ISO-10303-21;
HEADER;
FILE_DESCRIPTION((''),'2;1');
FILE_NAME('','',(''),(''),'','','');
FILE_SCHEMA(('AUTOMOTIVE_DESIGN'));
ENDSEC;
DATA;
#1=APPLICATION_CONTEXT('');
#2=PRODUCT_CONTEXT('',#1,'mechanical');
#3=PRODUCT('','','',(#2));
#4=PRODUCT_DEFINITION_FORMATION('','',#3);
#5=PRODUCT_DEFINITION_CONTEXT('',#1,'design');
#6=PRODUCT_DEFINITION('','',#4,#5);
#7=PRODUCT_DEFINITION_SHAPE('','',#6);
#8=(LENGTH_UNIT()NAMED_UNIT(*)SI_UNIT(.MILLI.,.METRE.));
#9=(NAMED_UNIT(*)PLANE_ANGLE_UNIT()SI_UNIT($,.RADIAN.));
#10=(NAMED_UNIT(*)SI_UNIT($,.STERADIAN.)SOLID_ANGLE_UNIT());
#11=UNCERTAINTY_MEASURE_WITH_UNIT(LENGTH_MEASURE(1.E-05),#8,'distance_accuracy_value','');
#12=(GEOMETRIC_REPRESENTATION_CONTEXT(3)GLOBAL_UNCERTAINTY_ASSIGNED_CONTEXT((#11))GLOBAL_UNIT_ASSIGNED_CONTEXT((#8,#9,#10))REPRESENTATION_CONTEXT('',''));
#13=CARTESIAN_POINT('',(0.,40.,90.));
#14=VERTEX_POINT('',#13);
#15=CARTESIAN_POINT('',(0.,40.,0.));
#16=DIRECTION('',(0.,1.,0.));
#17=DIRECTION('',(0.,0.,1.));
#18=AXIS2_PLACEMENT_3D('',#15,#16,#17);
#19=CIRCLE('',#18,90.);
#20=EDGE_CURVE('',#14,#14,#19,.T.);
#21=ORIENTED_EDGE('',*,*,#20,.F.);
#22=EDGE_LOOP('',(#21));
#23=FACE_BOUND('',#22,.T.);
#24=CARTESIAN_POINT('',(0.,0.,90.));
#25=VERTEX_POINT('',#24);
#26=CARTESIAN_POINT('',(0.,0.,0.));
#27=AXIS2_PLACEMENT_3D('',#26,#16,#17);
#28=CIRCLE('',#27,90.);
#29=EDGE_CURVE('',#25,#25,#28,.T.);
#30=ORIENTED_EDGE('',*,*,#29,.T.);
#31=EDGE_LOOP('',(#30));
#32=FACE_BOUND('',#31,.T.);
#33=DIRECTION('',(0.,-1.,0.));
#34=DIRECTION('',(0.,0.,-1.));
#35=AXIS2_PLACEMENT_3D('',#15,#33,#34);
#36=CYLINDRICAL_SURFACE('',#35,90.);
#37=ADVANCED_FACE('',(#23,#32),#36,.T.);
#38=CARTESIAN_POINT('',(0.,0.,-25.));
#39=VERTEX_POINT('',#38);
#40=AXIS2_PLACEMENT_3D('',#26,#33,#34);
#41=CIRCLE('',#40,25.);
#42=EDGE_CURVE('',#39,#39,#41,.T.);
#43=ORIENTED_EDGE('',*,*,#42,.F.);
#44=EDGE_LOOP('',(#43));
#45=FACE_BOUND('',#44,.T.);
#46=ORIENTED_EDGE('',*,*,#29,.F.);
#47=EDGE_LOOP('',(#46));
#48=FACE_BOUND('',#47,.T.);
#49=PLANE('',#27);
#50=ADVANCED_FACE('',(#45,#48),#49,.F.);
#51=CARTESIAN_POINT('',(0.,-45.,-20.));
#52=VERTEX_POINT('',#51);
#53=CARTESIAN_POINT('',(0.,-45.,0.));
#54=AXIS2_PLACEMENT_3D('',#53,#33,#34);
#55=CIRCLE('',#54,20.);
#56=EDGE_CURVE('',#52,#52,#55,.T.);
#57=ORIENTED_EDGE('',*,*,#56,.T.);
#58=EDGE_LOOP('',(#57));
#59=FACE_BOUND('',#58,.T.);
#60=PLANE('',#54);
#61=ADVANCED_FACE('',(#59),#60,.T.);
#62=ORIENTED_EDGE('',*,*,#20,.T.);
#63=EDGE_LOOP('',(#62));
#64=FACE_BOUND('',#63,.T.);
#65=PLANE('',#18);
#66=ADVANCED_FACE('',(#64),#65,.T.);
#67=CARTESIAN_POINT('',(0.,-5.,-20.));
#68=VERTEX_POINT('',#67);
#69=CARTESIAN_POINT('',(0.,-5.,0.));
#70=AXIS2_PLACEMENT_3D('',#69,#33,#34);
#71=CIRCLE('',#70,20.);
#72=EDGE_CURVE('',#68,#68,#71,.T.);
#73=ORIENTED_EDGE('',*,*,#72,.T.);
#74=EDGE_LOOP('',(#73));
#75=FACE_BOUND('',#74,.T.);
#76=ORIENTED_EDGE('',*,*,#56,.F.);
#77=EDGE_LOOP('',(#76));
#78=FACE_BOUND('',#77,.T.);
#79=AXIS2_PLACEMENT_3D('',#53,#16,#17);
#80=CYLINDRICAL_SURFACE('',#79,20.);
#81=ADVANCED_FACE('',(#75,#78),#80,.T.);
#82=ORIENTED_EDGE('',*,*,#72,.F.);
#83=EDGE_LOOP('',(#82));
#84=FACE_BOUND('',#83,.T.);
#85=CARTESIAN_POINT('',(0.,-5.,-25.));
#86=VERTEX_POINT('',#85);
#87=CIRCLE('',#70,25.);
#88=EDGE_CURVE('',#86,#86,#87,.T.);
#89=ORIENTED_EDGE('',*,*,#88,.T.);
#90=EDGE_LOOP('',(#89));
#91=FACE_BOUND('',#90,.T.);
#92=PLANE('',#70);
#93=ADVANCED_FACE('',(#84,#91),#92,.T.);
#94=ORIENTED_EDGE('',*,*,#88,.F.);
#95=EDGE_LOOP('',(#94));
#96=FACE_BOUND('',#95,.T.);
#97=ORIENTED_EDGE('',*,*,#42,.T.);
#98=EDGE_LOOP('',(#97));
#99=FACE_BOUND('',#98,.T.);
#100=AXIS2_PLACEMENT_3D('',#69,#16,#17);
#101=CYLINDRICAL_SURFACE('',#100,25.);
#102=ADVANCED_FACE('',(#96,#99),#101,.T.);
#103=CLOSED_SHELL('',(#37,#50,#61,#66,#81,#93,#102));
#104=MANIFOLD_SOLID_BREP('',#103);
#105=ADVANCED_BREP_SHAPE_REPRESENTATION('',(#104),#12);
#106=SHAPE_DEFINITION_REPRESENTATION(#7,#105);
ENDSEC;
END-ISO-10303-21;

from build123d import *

# Parameters (mm, degrees)
SKETCH2_R           = 90
BOSS_EXTRUDE1_DEPTH = 40
SKETCH4_R           = 25
BOSS_EXTRUDE2_DEPTH = 5
SKETCH6_R           = 20
BOSS_EXTRUDE3_DEPTH = 40


with BuildPart() as part:
    # Sketch2 → Boss-Extrude1 (new body)
    with BuildSketch(Plane(origin=(0, 0, 0), x_dir=(1, 0, 0), z_dir=(0, 1, 0))):
        with Locations(Location((0, 0, 0), (0, 0, 270))):
            Circle(SKETCH2_R)
    extrude(amount=BOSS_EXTRUDE1_DEPTH)

    # Sketch4 → Boss-Extrude2 (add)
    with BuildSketch(Plane(origin=(0, 0, 0), x_dir=(-1, 0, 0), z_dir=(0, -1, 0))):
        with Locations(Location((0, 0, 0), (0, 0, 90))):
            Circle(SKETCH4_R)
    extrude(amount=BOSS_EXTRUDE2_DEPTH)

    # Sketch6 → Boss-Extrude3 (add)
    with BuildSketch(Plane(origin=(0, -5, 0), x_dir=(-1, 0, 0), z_dir=(0, -1, 0))):
        with Locations(Location((0, 0, 0), (0, 0, 90))):
            Circle(SKETCH6_R)
    extrude(amount=BOSS_EXTRUDE3_DEPTH)


solid = part.part
